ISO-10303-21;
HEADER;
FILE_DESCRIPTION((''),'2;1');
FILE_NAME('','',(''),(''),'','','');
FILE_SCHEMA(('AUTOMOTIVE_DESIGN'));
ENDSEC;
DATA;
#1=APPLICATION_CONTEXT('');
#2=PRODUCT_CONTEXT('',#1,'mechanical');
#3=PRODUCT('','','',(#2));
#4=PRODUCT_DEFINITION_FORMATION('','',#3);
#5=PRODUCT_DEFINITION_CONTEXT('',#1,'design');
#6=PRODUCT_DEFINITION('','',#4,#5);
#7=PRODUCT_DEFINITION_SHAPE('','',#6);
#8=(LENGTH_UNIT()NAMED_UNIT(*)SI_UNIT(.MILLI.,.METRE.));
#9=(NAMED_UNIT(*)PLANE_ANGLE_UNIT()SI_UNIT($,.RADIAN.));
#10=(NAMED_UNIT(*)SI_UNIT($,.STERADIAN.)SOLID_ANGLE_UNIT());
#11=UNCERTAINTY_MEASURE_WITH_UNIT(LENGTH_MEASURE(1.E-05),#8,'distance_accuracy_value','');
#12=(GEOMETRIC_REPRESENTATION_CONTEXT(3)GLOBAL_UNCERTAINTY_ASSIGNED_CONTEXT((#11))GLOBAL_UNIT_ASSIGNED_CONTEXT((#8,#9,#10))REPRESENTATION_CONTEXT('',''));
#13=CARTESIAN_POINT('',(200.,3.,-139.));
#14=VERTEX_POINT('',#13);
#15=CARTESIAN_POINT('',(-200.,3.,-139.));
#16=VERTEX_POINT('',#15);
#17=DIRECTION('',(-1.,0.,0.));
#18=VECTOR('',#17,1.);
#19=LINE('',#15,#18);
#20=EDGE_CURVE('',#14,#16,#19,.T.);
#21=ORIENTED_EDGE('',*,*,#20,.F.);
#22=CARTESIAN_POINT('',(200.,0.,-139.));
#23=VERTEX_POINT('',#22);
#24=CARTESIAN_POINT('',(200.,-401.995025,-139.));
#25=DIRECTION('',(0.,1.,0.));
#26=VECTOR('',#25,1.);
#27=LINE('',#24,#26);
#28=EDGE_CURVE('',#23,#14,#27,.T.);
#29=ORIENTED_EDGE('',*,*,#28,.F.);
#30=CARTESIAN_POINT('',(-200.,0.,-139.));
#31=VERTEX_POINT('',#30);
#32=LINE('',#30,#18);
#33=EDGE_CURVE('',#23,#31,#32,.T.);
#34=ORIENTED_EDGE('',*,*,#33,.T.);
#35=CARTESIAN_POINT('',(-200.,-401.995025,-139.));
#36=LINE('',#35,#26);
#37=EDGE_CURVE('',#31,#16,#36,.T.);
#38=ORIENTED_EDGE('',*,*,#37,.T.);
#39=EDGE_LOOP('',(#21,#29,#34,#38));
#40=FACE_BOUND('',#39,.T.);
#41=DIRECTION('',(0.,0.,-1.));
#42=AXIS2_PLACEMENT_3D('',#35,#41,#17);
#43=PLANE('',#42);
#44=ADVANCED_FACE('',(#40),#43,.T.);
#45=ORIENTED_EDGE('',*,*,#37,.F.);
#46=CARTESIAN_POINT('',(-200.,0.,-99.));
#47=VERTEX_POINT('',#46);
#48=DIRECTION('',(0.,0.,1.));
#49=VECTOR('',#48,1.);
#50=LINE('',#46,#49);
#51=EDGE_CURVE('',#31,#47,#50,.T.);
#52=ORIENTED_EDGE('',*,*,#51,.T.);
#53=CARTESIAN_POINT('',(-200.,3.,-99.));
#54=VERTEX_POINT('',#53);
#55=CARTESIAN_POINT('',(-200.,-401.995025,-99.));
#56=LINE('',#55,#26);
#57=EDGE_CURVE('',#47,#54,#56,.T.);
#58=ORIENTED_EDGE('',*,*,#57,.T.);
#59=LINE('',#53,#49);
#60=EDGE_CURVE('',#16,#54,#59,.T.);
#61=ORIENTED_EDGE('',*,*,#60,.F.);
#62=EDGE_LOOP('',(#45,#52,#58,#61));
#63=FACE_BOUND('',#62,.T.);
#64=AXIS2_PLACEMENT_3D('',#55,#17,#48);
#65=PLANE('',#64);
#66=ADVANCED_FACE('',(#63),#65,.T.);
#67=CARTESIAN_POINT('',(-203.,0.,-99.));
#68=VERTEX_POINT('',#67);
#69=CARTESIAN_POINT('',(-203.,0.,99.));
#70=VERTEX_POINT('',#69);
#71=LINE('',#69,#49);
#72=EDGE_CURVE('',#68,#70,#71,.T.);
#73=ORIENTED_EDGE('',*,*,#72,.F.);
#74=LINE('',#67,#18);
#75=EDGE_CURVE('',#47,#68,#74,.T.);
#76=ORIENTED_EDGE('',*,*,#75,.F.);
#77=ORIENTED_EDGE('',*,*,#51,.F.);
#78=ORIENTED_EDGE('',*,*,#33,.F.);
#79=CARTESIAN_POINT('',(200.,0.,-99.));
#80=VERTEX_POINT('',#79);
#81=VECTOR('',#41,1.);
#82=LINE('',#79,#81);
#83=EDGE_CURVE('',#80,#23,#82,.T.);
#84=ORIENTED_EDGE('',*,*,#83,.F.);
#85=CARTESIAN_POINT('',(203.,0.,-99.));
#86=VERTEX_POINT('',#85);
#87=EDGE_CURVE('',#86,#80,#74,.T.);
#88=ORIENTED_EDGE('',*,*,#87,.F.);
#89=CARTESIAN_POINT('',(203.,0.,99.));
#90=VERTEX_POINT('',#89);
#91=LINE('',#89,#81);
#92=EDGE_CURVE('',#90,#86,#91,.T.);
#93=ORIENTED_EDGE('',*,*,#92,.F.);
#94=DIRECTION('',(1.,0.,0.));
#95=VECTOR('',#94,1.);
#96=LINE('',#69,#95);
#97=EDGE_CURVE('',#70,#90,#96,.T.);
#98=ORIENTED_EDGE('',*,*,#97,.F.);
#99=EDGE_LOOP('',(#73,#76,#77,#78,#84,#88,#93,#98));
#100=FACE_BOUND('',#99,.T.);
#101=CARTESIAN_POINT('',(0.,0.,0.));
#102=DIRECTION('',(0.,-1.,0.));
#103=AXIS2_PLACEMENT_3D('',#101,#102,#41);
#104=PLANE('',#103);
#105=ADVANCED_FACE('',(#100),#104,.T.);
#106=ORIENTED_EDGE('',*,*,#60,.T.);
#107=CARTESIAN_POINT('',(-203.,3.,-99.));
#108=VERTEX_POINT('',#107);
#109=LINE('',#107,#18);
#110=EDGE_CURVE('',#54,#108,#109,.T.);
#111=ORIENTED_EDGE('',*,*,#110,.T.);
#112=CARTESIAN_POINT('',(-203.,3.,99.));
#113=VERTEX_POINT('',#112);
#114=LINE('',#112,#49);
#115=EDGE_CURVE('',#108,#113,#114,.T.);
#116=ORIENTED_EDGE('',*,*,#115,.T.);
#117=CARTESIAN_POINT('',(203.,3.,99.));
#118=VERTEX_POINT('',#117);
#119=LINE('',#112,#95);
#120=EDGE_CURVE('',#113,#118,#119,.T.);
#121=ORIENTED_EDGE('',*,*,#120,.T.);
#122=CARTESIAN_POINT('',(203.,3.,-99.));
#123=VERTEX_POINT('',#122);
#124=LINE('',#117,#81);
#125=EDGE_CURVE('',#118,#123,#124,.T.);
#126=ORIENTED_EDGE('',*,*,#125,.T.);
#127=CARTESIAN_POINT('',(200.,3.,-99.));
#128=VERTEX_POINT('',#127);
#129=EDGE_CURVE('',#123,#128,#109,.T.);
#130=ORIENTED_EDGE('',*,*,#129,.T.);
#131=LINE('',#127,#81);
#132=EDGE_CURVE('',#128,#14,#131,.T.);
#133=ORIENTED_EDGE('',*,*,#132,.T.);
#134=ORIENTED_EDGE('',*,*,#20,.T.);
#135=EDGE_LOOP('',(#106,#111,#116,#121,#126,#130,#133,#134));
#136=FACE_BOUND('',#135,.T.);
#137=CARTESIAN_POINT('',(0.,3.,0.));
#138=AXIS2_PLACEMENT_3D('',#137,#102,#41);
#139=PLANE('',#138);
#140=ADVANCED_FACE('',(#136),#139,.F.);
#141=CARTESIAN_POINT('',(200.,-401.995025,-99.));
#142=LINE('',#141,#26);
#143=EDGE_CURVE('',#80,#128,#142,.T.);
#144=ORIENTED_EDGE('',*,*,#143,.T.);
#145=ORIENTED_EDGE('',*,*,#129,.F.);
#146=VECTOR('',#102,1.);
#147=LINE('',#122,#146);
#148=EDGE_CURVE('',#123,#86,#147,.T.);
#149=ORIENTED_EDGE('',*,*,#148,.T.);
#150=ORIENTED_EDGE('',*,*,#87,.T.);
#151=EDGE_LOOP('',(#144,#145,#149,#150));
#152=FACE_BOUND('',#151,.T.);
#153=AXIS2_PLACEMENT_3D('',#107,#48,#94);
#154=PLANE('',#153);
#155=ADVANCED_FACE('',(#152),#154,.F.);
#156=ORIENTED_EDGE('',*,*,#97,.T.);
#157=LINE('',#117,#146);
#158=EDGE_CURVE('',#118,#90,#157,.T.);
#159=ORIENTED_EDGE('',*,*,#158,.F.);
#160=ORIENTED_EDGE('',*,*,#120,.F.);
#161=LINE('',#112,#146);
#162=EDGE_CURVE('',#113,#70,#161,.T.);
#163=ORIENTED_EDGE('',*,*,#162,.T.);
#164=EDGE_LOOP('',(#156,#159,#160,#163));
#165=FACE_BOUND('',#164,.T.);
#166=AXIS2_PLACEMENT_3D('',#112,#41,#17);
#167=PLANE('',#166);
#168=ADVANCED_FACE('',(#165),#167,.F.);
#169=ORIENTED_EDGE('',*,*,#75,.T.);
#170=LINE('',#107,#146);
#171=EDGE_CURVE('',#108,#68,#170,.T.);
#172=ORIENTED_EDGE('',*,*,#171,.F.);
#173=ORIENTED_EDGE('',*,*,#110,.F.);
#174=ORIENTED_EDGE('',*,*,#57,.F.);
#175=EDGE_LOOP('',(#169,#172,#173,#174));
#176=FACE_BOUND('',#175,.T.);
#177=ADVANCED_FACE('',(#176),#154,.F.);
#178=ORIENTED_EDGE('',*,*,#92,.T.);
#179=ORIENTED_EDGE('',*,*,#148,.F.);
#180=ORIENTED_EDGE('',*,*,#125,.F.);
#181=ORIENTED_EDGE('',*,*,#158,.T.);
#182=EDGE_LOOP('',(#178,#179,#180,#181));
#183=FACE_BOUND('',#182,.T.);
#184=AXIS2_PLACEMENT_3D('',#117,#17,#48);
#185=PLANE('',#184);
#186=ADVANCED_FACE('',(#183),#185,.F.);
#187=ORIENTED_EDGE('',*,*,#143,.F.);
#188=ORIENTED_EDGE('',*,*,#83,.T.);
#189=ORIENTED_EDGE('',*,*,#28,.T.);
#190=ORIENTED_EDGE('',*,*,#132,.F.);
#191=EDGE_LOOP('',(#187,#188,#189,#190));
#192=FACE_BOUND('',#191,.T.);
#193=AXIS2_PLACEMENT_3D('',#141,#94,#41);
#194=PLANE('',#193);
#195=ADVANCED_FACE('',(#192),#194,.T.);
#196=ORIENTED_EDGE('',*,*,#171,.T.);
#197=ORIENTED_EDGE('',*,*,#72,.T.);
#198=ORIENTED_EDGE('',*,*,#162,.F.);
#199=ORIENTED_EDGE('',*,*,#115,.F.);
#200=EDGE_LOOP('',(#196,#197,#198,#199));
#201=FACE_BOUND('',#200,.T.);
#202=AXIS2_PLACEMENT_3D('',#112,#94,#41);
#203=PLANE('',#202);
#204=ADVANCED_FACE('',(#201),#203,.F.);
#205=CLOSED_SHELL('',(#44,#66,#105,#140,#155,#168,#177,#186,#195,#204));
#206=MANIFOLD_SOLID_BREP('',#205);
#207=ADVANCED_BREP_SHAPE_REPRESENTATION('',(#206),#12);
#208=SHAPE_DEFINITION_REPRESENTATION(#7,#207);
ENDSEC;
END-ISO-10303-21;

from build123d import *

# Parameters (mm, degrees)
SKETCH1_W           = 406
SKETCH1_H           = 198
BOSS_EXTRUDE1_DEPTH = 3
SKETCH2_W           = 400
SKETCH2_H           = 40
BOSS_EXTRUDE2_DEPTH = 3


with BuildPart() as part:
    # Sketch1 → Boss-Extrude1 (new body)
    with BuildSketch(Plane(origin=(0, 0, 0), x_dir=(1, 0, 0), z_dir=(0, 1, 0))):
        Rectangle(SKETCH1_W, SKETCH1_H)
    extrude(amount=BOSS_EXTRUDE1_DEPTH)

    # Sketch2 → Boss-Extrude2 (add)
    with BuildSketch(Plane(origin=(0, 3, 0), x_dir=(1, 0, 0), z_dir=(0, 1, 0))):
        with Locations((0, 119)):
            Rectangle(SKETCH2_W, SKETCH2_H)
    extrude(amount=-BOSS_EXTRUDE2_DEPTH)


solid = part.part
